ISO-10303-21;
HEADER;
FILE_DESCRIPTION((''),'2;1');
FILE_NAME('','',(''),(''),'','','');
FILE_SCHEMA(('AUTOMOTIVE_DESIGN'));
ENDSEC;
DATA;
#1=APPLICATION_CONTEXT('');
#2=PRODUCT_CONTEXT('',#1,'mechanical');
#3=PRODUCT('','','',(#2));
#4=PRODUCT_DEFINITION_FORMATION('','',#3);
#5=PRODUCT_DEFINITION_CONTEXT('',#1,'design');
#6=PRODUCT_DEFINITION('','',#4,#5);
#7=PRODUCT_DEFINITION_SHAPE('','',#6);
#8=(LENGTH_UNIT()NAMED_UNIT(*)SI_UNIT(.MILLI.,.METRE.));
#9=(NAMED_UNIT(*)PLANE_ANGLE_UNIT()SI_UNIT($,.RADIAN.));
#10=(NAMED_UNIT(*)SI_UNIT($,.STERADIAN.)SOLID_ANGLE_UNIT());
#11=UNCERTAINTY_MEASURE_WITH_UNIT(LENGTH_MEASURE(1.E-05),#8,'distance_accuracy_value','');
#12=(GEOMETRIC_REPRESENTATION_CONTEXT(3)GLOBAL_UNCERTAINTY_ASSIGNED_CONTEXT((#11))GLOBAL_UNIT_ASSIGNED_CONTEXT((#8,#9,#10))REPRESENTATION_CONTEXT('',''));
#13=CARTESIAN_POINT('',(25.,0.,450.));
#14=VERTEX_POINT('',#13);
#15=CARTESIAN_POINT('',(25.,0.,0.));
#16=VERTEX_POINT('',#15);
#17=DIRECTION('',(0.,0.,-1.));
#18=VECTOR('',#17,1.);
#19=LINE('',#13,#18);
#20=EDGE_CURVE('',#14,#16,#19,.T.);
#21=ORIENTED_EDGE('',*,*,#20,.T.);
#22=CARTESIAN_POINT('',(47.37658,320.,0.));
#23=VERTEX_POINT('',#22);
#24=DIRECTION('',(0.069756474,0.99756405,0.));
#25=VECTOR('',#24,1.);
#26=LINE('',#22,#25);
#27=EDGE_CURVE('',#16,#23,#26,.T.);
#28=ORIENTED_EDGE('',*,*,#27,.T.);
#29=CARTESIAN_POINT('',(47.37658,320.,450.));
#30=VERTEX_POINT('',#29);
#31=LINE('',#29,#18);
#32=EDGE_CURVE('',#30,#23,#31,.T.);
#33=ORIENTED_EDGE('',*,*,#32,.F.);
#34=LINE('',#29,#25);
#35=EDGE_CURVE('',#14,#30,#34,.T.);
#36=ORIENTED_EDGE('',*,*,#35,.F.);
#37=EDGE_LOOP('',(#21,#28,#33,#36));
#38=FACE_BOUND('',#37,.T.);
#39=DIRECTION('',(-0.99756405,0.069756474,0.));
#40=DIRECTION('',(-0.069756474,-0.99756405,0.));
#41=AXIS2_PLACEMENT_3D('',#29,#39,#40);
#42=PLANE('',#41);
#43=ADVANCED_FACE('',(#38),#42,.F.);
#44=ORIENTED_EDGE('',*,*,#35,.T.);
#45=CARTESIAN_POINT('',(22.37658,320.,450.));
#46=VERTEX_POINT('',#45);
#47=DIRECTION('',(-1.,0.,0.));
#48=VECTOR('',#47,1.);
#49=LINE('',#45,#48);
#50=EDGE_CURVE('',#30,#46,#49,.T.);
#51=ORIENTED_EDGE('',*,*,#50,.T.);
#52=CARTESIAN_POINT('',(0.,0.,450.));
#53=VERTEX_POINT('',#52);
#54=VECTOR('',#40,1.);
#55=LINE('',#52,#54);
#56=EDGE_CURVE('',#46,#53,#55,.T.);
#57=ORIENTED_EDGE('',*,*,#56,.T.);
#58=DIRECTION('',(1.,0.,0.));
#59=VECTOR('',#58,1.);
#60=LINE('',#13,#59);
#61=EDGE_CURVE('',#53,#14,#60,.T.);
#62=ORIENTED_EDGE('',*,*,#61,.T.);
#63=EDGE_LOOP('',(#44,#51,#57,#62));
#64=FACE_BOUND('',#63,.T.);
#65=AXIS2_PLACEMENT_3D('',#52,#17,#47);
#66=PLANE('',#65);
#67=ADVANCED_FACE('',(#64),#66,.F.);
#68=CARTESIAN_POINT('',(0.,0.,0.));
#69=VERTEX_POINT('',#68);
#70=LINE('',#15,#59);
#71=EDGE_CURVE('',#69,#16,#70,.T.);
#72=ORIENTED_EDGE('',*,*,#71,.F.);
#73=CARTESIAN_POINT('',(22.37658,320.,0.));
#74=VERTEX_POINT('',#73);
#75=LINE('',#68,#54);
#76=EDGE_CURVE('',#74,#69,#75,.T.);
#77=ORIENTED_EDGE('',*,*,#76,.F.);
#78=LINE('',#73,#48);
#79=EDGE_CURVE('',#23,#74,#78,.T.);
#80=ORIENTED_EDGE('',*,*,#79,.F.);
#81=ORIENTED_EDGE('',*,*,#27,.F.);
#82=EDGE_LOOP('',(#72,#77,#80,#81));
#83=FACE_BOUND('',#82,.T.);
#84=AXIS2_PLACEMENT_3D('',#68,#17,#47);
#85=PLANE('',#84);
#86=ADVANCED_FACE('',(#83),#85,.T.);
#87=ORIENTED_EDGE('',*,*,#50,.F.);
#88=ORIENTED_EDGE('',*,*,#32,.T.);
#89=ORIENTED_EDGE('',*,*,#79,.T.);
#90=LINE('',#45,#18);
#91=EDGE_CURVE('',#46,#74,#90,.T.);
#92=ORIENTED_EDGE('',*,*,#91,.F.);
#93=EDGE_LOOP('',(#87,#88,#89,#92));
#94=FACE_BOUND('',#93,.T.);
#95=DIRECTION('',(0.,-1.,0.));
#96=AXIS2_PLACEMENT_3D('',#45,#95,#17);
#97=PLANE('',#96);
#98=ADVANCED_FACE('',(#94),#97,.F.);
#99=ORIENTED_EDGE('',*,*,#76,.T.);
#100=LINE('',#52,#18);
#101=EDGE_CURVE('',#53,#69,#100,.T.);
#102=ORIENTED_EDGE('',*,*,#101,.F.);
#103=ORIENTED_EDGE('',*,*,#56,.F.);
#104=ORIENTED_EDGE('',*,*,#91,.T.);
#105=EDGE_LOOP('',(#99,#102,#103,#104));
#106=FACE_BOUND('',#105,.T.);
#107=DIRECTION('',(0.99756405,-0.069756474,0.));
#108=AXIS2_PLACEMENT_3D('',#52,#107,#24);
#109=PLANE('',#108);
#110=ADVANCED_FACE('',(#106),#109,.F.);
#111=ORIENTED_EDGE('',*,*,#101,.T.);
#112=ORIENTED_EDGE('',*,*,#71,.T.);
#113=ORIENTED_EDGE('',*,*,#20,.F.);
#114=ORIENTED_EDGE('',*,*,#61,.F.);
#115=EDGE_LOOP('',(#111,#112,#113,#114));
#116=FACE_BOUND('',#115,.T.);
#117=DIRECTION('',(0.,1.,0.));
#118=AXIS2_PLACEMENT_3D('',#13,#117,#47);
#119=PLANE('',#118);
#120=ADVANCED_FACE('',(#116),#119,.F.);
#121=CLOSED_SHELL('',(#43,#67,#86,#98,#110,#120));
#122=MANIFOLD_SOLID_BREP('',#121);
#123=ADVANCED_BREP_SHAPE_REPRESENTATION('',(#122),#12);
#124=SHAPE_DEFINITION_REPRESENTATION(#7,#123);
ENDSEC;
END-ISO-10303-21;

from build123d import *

# Parameters (mm, degrees)
BOSS_EXTRUDE1_DEPTH = 450


with BuildPart() as part:
    # Sketch1 → Boss-Extrude1 (new body)
    with BuildSketch(Plane.XY):
        Polygon((0, 0), (22.376579822, 320), (47.376579822, 320), (25, 0), align=None)
    extrude(amount=BOSS_EXTRUDE1_DEPTH)


solid = part.part
